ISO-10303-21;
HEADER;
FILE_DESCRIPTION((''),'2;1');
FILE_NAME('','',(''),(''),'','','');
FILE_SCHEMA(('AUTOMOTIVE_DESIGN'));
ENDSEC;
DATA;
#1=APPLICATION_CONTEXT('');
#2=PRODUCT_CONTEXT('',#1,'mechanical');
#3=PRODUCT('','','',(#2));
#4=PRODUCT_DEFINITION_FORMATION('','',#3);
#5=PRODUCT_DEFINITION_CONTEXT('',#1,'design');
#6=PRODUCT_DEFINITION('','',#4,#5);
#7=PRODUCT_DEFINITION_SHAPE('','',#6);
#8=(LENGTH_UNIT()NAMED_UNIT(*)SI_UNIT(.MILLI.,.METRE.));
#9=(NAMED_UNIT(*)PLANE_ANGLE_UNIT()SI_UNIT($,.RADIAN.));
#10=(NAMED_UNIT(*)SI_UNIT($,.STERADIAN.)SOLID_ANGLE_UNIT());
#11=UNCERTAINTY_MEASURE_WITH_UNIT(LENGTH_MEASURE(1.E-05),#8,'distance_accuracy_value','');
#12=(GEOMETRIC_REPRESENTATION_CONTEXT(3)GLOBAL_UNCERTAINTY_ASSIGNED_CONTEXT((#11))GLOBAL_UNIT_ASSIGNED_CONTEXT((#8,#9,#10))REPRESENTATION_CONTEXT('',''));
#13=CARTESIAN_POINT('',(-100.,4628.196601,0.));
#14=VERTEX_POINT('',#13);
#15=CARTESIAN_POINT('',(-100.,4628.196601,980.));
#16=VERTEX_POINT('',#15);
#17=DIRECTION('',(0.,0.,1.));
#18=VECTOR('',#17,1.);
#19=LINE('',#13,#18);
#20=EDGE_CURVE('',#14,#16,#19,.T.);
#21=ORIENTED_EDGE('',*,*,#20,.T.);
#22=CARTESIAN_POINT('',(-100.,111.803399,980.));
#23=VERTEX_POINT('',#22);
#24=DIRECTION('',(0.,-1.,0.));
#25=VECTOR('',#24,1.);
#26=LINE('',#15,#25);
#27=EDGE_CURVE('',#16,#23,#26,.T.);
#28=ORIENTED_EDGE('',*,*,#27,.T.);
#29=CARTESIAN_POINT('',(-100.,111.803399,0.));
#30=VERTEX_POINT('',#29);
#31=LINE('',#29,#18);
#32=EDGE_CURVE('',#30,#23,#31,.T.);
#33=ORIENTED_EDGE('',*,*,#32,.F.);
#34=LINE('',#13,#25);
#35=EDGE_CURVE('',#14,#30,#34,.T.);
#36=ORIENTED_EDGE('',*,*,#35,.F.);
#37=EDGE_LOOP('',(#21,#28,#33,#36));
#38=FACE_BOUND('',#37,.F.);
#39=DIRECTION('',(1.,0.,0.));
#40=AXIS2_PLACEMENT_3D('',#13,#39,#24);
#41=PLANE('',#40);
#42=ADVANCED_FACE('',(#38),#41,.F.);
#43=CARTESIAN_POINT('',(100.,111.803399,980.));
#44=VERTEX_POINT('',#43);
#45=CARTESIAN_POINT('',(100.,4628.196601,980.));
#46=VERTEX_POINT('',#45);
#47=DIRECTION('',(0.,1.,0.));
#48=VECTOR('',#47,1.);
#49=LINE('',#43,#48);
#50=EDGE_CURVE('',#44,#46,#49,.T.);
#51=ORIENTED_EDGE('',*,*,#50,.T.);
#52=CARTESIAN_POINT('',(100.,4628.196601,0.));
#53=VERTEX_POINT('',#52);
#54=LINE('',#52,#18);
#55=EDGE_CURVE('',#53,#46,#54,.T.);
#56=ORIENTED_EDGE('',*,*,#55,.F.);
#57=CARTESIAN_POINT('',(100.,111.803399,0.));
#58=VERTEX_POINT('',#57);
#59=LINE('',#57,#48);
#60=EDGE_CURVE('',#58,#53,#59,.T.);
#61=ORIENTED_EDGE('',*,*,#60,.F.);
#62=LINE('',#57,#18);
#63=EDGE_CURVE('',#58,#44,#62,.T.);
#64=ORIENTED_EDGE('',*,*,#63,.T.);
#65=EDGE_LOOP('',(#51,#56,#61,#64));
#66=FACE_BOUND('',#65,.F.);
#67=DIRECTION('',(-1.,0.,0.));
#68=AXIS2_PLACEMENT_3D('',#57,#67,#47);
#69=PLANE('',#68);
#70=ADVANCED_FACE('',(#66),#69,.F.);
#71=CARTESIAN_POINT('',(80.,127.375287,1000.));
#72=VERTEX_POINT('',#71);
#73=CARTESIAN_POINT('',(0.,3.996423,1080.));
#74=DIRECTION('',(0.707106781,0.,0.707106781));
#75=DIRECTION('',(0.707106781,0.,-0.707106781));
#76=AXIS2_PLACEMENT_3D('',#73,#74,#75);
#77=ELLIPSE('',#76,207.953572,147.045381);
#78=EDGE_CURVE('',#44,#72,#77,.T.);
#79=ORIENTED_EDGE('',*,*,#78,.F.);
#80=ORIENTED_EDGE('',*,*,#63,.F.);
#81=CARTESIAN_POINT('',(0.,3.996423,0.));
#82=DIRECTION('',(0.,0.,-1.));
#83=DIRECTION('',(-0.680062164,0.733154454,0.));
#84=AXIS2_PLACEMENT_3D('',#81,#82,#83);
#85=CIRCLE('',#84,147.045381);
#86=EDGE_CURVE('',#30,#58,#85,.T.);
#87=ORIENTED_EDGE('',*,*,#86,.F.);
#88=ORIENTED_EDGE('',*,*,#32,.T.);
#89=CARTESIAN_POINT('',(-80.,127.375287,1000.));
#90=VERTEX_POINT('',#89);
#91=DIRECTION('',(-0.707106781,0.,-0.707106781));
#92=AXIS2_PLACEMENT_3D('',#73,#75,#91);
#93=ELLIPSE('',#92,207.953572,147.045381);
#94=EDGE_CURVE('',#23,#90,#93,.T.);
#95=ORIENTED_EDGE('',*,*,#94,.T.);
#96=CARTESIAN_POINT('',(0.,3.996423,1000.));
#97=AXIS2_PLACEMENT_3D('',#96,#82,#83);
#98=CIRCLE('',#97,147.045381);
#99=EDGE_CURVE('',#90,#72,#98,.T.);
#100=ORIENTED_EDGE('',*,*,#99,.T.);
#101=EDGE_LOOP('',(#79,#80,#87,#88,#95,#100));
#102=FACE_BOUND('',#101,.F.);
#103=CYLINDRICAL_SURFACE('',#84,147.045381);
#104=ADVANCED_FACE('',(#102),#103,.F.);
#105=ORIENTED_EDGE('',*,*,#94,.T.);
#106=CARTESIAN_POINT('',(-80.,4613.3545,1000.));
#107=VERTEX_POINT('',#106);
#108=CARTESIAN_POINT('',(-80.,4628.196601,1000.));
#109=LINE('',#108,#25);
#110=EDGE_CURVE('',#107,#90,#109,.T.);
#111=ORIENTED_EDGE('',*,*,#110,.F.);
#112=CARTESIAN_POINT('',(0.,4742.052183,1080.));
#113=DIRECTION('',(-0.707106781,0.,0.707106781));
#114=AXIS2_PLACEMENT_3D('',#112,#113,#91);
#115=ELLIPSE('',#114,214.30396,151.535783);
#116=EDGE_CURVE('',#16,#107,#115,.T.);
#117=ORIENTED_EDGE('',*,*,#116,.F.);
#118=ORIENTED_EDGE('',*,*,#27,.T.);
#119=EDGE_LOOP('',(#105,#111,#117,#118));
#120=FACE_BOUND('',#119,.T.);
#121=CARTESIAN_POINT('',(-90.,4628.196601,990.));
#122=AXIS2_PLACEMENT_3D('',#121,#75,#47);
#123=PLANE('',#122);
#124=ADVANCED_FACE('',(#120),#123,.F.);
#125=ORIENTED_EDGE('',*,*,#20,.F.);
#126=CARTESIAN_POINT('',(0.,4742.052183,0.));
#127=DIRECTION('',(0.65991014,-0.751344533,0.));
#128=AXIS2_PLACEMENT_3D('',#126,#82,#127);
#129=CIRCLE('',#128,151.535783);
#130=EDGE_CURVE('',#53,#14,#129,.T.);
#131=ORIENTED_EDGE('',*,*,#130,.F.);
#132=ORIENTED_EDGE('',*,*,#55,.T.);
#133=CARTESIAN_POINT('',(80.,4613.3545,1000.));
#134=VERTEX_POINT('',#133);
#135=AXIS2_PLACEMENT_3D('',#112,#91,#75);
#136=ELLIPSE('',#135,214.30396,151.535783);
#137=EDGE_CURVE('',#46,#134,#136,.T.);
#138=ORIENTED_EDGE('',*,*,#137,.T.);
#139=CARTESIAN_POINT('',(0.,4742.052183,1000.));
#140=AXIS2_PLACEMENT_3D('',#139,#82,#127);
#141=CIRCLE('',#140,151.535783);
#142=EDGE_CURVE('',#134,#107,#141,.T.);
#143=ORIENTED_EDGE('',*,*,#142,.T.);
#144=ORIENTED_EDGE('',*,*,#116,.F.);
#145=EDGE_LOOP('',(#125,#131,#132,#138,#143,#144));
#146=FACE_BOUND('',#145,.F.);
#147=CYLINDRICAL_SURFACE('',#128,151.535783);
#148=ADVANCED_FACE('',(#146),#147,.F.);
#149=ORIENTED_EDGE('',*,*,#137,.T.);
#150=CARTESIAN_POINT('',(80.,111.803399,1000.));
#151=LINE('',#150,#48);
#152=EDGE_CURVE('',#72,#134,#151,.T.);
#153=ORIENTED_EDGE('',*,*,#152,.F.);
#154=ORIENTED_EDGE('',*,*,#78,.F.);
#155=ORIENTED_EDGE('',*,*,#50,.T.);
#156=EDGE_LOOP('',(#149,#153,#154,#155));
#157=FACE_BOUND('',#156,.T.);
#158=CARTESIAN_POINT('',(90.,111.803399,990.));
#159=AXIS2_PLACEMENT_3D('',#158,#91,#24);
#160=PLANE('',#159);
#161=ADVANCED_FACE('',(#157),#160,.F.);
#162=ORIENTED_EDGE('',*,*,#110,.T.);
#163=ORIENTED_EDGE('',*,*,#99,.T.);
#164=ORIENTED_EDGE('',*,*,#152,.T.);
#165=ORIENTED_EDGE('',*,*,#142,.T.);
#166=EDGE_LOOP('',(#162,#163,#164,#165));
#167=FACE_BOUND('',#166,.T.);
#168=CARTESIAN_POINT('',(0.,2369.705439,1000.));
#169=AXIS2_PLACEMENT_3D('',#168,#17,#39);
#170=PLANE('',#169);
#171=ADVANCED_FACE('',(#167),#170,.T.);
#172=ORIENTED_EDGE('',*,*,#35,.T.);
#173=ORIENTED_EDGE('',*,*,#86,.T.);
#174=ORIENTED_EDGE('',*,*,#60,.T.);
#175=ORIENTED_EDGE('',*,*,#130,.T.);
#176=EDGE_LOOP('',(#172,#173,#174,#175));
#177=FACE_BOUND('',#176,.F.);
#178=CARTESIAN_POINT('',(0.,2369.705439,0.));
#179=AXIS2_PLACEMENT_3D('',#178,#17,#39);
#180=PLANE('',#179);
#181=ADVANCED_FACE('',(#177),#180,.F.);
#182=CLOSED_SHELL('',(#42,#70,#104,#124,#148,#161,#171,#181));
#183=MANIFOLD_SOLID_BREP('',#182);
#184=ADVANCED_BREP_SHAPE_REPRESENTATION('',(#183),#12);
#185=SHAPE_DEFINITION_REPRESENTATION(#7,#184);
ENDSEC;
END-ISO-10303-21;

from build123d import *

# Parameters (mm, degrees)
F1_DEPTH = 1000
F2_SIZE  = 20


with BuildPart() as f1:
    # F0 (on Top) → F1 (new body)
    with BuildSketch(Plane.XY):
        with BuildLine():
            ThreePointArc((-100, 111.803399), (0, 151.041804), (100, 111.803399))
            Line((100, 111.803399), (100, 4628.196601))
            ThreePointArc((100, 4628.196601), (0, 4590.5164), (-100, 4628.196601))
            Line((-100, 4628.196601), (-100, 111.803399))
        make_face()
    extrude(amount=F1_DEPTH)

    # F2
    f2_edges = [f1.edges().sort_by_distance(p)[0] for p in [
        (100, 2370, 1000),
        (-100, 2370, 1000),
    ]]
    chamfer(f2_edges, length=F2_SIZE)


solid = f1.part
